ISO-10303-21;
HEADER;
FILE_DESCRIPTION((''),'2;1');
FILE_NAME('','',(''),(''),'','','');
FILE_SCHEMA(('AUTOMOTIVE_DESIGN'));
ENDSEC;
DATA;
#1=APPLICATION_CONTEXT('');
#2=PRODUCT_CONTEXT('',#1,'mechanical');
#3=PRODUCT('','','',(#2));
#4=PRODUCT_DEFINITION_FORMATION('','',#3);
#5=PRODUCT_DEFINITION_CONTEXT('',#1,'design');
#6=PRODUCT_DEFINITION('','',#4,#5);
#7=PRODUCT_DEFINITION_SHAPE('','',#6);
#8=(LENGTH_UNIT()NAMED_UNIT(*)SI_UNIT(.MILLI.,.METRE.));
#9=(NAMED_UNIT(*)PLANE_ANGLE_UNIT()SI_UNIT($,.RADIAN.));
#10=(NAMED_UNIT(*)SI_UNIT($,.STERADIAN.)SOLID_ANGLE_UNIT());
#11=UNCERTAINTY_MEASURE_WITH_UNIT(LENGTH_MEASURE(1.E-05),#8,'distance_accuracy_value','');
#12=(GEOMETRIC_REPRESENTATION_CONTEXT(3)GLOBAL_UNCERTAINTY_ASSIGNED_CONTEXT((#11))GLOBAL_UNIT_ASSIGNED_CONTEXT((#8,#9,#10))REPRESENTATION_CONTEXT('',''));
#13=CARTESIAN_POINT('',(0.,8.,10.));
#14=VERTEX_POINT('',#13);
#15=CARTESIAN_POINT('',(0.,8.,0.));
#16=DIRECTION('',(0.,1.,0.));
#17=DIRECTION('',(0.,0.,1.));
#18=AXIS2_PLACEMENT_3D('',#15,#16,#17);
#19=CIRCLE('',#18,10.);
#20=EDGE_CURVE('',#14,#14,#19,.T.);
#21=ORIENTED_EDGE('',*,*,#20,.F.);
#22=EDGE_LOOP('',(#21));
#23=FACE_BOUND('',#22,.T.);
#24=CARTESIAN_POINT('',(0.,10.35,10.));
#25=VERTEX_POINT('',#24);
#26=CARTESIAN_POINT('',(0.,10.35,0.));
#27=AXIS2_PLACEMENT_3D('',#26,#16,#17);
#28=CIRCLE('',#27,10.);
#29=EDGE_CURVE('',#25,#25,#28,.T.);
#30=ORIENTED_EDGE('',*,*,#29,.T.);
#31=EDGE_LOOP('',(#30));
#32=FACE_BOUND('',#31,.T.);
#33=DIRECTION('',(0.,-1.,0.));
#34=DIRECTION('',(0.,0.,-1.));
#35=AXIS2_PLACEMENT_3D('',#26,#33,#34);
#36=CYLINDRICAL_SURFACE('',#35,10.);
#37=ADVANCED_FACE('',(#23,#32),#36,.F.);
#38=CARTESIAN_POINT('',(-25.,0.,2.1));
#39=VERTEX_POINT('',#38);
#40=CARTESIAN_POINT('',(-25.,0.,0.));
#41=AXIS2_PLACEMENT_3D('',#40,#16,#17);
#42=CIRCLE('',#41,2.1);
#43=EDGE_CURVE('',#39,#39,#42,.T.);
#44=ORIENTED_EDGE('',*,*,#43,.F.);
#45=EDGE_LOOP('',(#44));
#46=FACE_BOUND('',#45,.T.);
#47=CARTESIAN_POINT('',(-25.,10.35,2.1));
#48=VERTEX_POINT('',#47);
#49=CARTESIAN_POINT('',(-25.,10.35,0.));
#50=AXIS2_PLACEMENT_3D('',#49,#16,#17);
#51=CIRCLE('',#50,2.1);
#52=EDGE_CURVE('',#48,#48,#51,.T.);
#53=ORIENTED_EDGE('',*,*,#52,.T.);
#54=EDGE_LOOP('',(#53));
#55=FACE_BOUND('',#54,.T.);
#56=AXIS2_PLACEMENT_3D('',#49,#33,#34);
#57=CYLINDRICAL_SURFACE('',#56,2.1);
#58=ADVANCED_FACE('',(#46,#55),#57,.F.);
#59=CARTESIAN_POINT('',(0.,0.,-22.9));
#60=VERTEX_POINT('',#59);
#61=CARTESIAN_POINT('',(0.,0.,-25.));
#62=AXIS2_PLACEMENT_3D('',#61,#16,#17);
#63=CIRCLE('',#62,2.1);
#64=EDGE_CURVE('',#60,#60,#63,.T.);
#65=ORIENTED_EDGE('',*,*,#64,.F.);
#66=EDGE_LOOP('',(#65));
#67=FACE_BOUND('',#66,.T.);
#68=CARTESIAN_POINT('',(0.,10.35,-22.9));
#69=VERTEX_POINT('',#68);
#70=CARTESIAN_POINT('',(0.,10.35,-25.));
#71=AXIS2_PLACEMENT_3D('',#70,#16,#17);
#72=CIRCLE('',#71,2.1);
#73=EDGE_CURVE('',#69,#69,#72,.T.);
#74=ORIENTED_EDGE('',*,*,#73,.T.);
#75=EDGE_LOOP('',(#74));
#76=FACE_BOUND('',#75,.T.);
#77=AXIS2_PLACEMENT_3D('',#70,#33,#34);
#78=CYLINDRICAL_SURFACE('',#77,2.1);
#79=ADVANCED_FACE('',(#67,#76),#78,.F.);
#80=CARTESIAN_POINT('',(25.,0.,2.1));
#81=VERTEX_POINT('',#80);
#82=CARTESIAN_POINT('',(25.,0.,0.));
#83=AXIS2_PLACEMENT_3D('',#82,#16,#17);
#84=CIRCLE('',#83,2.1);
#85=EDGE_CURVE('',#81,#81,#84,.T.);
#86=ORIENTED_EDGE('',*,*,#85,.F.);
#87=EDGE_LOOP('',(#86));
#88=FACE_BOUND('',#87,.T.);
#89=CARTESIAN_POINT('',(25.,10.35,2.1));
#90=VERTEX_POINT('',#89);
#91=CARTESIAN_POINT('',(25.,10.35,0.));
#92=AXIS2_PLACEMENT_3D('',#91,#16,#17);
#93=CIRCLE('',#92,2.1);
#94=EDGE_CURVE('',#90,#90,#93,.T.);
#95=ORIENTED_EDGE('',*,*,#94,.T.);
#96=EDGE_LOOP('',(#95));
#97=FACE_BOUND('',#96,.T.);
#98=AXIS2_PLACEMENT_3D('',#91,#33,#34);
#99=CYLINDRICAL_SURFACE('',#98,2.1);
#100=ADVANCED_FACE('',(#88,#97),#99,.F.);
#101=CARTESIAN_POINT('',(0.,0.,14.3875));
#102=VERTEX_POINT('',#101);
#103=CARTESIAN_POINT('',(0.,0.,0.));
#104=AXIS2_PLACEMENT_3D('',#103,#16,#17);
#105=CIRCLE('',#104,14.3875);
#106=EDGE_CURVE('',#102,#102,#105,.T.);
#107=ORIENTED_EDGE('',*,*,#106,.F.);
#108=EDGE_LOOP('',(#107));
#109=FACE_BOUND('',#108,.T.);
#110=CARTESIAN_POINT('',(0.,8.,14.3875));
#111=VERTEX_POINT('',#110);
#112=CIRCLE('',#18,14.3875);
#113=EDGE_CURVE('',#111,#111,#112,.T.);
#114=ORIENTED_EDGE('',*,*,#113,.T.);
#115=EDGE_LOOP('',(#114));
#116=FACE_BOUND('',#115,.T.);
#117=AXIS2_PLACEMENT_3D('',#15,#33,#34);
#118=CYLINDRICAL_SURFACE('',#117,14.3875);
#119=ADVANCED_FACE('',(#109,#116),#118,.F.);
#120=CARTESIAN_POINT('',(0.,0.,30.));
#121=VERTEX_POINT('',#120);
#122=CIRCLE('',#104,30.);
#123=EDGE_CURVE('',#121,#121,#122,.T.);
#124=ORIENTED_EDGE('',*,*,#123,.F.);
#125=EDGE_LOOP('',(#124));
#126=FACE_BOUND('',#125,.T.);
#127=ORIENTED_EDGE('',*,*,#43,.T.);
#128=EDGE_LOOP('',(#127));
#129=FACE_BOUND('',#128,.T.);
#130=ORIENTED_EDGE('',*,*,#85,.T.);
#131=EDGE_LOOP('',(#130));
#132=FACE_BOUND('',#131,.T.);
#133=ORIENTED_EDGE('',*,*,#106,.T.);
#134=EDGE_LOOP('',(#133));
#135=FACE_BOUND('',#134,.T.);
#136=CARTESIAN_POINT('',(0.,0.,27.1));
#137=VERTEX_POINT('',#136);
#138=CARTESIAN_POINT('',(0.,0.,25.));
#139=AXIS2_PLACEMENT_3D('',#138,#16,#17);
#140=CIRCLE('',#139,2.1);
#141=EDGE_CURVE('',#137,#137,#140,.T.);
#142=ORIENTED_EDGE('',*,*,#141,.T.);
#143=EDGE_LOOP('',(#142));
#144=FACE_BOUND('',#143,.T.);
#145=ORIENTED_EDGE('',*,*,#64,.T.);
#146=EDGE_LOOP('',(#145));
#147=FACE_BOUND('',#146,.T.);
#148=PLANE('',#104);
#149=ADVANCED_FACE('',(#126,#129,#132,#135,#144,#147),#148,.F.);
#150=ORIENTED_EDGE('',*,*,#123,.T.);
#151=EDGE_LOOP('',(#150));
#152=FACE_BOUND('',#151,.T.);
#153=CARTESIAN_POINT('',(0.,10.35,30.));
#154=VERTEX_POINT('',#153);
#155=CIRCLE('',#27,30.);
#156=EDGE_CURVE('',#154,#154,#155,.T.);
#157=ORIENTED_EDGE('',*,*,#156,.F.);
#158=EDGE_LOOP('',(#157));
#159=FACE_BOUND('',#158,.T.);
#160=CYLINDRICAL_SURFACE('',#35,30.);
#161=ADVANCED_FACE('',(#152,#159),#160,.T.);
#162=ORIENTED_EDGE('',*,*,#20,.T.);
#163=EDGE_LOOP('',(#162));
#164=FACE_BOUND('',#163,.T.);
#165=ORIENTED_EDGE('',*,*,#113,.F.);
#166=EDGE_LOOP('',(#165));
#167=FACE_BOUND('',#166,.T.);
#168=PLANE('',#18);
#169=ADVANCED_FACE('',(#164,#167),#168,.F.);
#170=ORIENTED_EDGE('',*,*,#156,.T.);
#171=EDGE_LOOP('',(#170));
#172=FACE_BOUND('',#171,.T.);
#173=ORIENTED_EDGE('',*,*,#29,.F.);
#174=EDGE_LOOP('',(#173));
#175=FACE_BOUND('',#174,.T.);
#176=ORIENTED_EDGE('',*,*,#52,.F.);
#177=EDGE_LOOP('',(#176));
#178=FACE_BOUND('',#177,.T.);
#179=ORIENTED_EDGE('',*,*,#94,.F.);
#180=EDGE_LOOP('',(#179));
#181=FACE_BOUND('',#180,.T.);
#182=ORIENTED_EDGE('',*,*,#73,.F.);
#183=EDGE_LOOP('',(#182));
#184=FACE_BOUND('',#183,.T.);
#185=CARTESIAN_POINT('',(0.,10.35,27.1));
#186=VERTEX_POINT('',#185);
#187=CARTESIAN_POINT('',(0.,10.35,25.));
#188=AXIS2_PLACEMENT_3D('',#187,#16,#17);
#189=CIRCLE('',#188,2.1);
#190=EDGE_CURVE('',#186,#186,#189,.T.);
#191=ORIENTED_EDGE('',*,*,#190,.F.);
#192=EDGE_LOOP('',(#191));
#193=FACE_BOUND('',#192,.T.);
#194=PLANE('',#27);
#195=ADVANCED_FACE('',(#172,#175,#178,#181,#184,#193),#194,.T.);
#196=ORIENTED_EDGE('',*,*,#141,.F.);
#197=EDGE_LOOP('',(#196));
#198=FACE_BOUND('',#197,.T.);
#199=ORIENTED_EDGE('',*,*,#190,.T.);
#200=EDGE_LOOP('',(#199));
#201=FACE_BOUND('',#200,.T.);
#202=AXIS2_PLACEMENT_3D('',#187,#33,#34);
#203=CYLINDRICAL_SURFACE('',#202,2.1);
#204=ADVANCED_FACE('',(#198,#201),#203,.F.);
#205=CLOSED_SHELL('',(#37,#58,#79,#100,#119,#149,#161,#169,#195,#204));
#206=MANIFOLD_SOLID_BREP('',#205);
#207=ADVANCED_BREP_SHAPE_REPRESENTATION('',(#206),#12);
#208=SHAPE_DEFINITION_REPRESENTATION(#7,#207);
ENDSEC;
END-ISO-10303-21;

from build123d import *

# Parameters (mm, degrees)
SKETCH1_R           = 30
SKETCH1_R_2         = 10
SKETCH1_R_3         = 2.1
BOSS_EXTRUDE1_DEPTH = 10.35
SKETCH2_R           = 14.3875
CUT_EXTRUDE2_DEPTH  = 8


with BuildPart() as part:
    # Sketch1 → Boss-Extrude1 (new body)
    with BuildSketch(Plane(origin=(0, 0, 0), x_dir=(1, 0, 0), z_dir=(0, 1, 0))):
        with Locations(Location((0, 0, 0), (0, 0, 270))):
            Circle(SKETCH1_R)
        with Locations(Location((0, 0, 0), (0, 0, 270))):
            Circle(SKETCH1_R_2, mode=Mode.SUBTRACT)
        with Locations(Location((0, 25, 0), (0, 0, 270))):
            Circle(SKETCH1_R_3, mode=Mode.SUBTRACT)
        with Locations(Location((25, 0, 0), (0, 0, 270))):
            Circle(SKETCH1_R_3, mode=Mode.SUBTRACT)
        with Locations(Location((0, -25, 0), (0, 0, 270))):
            Circle(SKETCH1_R_3, mode=Mode.SUBTRACT)
        with Locations(Location((-25, 0, 0), (0, 0, 270))):
            Circle(SKETCH1_R_3, mode=Mode.SUBTRACT)
    extrude(amount=BOSS_EXTRUDE1_DEPTH)

    # Sketch2 → Cut-Extrude2 (cut)
    with BuildSketch(Plane(origin=(0, 0, 0), x_dir=(1, 0, 0), z_dir=(0, 1, 0))):
        with Locations(Location((0, 0, 0), (0, 0, 270))):
            Circle(SKETCH2_R)
    extrude(amount=CUT_EXTRUDE2_DEPTH, mode=Mode.SUBTRACT)


solid = part.part
